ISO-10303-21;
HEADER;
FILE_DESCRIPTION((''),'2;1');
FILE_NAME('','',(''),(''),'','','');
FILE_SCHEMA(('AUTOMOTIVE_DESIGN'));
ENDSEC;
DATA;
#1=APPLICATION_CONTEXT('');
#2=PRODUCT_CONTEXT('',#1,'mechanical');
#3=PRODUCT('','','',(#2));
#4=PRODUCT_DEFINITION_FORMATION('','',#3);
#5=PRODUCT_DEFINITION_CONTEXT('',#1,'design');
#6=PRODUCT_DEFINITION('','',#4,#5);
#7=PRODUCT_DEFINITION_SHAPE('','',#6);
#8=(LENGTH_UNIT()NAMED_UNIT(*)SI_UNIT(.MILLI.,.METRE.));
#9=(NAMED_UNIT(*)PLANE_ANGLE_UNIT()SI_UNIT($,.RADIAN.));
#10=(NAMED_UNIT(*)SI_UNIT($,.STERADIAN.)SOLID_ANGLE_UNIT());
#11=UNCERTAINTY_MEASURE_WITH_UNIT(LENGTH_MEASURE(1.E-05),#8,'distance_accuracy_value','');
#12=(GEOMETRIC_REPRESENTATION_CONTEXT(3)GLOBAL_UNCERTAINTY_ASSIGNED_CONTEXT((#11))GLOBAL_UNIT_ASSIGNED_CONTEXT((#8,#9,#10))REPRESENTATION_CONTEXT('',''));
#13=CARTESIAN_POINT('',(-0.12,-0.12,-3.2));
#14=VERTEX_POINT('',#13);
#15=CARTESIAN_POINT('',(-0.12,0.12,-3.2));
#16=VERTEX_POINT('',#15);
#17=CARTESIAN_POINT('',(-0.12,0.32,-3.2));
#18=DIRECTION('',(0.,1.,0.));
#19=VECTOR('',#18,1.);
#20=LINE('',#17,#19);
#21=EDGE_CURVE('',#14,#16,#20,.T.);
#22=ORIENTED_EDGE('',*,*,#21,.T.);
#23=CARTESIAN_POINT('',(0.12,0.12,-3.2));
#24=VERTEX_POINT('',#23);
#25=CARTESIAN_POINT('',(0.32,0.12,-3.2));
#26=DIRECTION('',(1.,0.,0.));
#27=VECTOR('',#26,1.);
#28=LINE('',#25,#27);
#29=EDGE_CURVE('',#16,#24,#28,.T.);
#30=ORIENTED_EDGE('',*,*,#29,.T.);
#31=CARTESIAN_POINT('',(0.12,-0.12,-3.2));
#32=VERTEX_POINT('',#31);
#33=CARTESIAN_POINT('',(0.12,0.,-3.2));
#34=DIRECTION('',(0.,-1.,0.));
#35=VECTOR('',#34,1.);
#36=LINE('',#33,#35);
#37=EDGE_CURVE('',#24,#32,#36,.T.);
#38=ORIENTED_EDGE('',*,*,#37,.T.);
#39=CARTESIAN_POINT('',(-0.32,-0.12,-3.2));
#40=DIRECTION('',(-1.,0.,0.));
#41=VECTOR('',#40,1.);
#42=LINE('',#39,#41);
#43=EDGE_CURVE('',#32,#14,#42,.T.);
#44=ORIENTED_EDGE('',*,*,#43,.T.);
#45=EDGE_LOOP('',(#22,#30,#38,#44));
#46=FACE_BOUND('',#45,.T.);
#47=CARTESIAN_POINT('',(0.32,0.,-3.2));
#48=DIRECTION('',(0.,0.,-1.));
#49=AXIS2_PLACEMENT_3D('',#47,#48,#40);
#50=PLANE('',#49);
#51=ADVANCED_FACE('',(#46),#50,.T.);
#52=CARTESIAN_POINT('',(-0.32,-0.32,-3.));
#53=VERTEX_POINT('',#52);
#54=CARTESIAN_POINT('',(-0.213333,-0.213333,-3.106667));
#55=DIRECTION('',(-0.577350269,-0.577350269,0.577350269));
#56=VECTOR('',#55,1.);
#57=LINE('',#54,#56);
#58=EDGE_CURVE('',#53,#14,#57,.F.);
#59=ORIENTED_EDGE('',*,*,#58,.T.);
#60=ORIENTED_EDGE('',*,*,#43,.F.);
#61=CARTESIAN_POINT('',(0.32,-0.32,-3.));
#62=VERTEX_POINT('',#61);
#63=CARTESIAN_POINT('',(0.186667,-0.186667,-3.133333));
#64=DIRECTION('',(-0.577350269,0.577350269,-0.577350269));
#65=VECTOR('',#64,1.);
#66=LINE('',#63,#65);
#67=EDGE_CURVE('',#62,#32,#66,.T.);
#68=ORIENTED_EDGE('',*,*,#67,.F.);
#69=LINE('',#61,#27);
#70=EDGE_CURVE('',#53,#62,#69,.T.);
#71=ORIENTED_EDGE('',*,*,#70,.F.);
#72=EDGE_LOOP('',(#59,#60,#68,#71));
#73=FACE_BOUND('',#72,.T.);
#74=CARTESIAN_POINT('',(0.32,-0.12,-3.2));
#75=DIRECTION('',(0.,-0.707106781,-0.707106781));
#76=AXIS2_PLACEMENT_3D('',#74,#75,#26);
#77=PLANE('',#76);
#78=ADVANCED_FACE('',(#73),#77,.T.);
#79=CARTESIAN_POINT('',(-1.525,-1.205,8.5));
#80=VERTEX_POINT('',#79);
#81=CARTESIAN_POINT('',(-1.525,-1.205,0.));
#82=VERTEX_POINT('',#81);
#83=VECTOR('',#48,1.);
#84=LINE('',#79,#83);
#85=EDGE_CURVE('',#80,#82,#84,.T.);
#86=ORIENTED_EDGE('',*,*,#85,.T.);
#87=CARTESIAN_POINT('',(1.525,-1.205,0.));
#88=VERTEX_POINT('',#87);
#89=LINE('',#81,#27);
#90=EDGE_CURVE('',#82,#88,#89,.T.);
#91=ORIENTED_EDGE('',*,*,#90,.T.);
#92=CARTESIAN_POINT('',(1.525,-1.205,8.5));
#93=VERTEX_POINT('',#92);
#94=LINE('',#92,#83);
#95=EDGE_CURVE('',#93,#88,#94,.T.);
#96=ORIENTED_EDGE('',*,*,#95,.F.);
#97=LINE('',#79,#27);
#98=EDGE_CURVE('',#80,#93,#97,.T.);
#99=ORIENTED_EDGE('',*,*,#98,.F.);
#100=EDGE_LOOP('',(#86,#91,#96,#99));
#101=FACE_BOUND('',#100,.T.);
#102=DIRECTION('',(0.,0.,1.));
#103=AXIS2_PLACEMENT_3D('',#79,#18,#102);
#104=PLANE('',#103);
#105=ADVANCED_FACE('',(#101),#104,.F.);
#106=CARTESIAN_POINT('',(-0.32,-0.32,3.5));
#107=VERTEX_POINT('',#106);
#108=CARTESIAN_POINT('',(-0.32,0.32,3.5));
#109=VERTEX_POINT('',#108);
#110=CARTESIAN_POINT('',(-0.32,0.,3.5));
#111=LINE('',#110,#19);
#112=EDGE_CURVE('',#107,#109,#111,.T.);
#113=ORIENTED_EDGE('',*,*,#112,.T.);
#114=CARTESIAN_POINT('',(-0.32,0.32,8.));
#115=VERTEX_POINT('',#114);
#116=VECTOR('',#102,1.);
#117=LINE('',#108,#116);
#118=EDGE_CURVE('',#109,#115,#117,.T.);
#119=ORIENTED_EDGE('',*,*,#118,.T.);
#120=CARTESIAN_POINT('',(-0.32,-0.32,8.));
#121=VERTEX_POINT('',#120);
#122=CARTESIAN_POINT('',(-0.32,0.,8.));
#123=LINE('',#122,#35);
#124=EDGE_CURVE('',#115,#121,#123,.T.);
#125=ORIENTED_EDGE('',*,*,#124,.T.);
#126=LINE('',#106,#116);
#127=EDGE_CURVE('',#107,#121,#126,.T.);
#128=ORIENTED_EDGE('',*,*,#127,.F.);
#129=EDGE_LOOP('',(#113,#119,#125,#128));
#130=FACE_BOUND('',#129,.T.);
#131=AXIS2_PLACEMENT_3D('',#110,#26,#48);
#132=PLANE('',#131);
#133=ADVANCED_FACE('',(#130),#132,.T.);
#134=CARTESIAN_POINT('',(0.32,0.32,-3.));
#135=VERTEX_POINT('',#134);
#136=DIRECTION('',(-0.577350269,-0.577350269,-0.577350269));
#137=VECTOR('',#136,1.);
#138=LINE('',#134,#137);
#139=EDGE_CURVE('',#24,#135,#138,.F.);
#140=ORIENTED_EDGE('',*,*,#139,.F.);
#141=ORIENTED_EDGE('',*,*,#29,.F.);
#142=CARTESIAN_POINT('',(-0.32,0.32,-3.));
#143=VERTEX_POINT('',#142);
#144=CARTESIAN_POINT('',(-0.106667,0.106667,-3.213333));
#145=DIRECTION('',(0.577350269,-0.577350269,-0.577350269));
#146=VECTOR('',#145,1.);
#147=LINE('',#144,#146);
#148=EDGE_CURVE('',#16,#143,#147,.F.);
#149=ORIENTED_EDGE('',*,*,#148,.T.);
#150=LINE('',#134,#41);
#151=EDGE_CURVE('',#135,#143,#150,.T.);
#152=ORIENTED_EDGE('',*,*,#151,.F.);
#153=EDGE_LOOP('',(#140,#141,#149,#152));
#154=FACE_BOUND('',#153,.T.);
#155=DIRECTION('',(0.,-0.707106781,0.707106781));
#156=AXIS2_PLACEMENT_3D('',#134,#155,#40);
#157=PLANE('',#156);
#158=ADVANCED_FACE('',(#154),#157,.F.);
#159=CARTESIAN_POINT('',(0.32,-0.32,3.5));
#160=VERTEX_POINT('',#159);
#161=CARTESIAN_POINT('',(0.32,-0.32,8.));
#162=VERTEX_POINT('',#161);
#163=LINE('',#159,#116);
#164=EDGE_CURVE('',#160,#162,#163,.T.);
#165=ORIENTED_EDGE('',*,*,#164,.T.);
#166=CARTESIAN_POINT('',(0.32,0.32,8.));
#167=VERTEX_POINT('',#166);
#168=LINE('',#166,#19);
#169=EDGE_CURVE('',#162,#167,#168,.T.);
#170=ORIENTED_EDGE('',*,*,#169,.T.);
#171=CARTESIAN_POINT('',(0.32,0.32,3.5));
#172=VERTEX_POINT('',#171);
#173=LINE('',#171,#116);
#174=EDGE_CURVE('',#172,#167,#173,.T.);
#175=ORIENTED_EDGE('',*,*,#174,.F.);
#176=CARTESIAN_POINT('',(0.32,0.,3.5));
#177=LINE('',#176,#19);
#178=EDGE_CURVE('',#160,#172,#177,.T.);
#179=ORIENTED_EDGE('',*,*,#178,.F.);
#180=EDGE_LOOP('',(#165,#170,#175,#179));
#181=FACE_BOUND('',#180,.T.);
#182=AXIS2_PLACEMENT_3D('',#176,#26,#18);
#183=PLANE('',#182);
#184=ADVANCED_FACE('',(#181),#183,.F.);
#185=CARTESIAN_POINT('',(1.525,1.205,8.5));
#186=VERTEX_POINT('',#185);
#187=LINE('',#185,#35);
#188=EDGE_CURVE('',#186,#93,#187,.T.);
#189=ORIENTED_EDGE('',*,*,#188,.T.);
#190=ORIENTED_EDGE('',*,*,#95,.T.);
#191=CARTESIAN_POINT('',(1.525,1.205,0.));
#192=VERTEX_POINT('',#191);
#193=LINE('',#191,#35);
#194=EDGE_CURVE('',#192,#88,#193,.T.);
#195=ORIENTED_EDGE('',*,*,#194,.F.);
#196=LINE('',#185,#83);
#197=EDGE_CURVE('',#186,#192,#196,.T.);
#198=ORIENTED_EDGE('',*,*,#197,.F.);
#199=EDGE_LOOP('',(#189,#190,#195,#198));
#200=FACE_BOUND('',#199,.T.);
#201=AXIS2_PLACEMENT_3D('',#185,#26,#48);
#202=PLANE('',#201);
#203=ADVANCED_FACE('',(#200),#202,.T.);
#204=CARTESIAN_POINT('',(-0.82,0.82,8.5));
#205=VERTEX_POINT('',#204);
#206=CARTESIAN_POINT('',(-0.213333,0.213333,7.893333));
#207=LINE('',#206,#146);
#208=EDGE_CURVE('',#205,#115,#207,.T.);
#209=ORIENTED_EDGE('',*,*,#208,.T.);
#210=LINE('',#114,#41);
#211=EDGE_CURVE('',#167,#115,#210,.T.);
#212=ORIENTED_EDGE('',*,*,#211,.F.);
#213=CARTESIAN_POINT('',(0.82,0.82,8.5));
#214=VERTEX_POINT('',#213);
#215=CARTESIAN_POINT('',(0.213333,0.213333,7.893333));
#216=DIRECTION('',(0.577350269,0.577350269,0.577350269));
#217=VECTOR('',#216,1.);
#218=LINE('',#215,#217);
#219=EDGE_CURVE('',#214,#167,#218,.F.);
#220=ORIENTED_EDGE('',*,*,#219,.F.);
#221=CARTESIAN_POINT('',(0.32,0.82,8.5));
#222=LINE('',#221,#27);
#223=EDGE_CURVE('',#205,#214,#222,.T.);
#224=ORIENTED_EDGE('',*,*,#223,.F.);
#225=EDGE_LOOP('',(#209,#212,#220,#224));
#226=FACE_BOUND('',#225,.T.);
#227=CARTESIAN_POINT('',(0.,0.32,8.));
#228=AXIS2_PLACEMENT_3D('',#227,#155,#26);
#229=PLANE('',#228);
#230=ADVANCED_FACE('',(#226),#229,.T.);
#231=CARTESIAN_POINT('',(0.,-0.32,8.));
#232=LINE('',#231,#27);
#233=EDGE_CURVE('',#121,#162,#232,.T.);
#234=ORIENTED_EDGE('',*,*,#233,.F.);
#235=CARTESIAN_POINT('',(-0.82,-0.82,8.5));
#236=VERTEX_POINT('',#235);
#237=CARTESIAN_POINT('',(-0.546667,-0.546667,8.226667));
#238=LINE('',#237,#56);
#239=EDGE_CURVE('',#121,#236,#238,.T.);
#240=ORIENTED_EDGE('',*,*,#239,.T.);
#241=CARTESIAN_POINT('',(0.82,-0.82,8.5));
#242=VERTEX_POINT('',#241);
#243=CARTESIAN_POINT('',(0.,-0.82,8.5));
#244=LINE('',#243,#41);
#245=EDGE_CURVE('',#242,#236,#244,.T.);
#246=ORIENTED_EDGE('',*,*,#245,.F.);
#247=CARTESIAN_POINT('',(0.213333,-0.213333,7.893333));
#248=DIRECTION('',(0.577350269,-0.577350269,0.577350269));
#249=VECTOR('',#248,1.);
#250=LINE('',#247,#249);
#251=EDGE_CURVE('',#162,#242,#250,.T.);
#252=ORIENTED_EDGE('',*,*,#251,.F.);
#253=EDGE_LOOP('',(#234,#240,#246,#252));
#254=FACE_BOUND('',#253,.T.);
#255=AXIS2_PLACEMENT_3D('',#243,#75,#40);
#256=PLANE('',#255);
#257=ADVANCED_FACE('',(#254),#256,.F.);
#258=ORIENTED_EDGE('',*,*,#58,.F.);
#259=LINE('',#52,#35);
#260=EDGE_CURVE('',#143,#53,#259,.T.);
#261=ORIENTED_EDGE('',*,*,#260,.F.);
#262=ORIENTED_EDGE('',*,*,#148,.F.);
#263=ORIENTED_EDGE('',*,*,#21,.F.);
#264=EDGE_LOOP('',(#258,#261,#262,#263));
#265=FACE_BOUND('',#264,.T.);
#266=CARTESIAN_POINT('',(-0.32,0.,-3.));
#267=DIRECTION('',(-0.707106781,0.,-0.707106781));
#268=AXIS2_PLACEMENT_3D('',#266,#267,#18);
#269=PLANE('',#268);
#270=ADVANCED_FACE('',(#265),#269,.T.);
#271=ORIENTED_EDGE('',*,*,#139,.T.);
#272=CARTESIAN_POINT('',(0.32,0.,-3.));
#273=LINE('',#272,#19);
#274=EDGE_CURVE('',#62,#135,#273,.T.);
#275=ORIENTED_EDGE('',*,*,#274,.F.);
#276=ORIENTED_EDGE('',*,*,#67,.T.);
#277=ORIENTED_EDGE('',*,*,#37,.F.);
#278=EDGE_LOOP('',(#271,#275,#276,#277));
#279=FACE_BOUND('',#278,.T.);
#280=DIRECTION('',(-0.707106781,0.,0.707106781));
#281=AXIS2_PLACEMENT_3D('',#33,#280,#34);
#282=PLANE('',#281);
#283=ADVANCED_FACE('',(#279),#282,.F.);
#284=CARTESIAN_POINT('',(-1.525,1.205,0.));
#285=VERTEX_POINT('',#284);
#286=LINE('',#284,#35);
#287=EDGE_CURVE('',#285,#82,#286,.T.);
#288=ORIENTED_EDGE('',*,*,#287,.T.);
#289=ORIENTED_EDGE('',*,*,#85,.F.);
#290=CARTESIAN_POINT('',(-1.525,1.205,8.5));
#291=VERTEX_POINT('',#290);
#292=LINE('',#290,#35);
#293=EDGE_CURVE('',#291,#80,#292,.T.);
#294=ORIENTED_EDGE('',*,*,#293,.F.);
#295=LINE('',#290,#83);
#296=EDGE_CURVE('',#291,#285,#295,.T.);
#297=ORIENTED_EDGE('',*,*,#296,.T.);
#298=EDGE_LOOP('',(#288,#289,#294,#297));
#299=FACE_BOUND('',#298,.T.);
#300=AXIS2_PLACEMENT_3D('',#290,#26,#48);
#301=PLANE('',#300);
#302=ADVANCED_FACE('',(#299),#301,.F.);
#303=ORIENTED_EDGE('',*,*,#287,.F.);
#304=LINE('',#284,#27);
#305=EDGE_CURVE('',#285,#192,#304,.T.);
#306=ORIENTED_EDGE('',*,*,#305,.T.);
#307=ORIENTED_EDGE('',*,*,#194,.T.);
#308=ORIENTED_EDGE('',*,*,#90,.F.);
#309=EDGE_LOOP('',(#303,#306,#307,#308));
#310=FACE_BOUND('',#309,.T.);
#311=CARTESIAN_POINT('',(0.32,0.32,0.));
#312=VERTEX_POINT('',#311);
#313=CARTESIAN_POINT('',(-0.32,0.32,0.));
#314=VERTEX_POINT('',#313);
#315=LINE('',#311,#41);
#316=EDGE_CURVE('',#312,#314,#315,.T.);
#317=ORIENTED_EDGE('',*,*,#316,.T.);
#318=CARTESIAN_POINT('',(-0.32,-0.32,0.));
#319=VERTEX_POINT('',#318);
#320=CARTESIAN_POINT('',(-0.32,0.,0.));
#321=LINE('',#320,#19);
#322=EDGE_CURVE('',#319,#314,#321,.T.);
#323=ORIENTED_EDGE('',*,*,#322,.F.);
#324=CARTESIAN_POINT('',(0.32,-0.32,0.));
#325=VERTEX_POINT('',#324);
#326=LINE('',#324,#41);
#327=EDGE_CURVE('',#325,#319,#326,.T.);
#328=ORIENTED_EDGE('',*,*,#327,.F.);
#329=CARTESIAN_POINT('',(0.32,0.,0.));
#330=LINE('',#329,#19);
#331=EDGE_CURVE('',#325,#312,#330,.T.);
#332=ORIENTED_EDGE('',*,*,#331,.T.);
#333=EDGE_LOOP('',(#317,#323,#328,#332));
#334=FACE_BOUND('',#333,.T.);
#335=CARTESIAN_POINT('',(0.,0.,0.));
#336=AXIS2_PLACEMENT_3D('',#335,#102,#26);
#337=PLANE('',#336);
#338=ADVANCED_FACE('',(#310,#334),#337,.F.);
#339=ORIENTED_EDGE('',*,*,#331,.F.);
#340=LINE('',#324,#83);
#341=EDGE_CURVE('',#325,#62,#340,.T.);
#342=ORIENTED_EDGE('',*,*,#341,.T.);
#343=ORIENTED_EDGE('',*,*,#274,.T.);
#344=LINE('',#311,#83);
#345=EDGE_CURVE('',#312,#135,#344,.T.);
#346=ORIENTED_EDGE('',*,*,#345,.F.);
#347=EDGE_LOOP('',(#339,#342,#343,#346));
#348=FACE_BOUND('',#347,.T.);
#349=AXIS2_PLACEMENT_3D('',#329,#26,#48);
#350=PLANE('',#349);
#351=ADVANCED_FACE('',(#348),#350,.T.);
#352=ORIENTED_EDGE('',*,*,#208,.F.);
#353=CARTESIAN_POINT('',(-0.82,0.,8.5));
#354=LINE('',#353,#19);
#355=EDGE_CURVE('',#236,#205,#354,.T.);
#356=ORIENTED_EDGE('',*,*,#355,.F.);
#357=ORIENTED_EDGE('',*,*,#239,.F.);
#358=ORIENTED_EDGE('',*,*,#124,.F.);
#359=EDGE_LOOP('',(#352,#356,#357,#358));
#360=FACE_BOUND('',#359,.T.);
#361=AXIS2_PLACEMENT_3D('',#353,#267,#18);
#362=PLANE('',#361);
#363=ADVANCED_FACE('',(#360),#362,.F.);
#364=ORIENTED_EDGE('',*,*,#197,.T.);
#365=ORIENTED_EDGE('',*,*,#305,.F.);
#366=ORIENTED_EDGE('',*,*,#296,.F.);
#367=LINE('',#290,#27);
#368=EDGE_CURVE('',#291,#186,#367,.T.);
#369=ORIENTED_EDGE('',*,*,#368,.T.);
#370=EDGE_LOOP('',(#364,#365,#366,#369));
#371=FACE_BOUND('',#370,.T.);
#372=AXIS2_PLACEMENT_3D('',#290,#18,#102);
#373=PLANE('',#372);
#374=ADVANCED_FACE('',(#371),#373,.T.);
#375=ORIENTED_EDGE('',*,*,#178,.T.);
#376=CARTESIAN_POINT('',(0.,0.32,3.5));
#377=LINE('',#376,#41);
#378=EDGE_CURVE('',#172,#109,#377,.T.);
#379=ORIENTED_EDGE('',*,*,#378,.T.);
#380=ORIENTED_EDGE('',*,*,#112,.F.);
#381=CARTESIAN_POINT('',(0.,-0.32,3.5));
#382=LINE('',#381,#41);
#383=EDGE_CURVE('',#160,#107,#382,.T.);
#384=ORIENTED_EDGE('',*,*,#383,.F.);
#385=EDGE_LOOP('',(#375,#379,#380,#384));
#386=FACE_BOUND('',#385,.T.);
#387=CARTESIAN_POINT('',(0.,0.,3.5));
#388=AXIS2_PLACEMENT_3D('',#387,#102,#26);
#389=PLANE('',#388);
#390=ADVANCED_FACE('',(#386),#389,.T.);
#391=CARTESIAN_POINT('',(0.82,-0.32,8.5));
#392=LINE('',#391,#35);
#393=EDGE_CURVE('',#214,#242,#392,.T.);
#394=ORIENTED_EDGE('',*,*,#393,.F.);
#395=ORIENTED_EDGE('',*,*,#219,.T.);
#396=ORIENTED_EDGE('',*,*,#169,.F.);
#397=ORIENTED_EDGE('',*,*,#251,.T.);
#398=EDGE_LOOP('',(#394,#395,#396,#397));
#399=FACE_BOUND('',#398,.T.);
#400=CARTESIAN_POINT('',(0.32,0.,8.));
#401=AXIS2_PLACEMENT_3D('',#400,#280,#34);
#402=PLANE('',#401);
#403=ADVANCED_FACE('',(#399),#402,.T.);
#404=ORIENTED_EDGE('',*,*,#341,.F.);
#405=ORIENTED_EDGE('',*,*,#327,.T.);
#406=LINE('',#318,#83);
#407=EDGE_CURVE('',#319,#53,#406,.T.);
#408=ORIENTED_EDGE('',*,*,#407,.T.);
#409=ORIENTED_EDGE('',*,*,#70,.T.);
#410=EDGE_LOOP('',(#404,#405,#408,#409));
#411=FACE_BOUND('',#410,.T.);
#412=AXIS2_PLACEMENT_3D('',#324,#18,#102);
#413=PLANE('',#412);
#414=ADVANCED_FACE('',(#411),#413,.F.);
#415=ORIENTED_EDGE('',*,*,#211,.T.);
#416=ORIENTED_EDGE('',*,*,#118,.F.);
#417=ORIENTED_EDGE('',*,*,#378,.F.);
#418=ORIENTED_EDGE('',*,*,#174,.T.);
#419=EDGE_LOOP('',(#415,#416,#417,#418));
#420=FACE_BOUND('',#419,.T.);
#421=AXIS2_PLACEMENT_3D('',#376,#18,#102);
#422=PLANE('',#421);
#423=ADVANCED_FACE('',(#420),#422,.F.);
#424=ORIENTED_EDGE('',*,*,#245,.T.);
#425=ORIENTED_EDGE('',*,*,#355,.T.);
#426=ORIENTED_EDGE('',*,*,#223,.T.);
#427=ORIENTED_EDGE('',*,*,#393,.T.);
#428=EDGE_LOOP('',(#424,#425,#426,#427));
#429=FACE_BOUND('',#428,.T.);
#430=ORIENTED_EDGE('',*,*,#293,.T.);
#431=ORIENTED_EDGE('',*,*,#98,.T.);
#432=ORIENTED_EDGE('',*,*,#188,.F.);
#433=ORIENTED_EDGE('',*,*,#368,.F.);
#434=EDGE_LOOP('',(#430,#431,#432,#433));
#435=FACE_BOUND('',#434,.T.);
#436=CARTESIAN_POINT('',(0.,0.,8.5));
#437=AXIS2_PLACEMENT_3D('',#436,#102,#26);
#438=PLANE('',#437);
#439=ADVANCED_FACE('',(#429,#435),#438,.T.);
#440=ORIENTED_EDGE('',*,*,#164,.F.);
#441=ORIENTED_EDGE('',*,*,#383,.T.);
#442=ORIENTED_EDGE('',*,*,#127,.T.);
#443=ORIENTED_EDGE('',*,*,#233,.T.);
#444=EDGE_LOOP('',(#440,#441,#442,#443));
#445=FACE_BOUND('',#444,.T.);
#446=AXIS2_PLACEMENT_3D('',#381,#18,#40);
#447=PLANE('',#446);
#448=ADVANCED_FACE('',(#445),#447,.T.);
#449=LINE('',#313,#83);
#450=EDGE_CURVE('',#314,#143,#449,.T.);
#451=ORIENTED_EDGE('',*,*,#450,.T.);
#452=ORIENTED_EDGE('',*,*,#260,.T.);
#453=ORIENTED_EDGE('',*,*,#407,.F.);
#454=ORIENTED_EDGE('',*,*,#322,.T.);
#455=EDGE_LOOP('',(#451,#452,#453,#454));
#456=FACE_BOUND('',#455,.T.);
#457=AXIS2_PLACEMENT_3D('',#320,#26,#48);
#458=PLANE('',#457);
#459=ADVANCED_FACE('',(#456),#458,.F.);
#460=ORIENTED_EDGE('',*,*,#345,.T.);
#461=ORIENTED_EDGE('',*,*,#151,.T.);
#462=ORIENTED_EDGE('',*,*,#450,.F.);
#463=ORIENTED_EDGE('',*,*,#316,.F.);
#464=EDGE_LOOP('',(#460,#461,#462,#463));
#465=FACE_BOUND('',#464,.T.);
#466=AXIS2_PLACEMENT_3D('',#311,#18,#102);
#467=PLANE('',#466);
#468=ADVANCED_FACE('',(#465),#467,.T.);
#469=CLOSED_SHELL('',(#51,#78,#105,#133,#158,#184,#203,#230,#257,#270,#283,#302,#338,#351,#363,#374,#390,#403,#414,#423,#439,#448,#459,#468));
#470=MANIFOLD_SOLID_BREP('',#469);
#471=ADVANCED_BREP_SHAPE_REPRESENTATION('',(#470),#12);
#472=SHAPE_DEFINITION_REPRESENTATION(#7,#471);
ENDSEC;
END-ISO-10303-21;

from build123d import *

# Parameters (mm, degrees)
SKETCH1_W           = 3.05
SKETCH1_H           = 2.41
BOSS_EXTRUDE1_DEPTH = 8.5
CUT_EXTRUDE1_START  = 8.5
SKETCH1_3_W         = 0.64
SKETCH1_3_H         = 0.64
CUT_EXTRUDE1_DEPTH  = 5
CHAMFER1_SIZE       = 0.5
SKETCH2_W           = 3.2
SKETCH2_H           = 0.64
BOSS_EXTRUDE2_DEPTH = 0.32
CHAMFER2_SIZE       = 0.2


with BuildPart() as part:
    # Sketch1 → Boss-Extrude1 (new body)
    with BuildSketch(Plane.XY):
        Rectangle(SKETCH1_W, SKETCH1_H)
    extrude(amount=BOSS_EXTRUDE1_DEPTH)

    # Sketch1<3> → Cut-Extrude1 (cut)
    with BuildSketch(Plane.XY.offset(CUT_EXTRUDE1_START)):
        Rectangle(SKETCH1_3_W, SKETCH1_3_H)
    extrude(amount=-CUT_EXTRUDE1_DEPTH, mode=Mode.SUBTRACT)

    # Chamfer1
    chamfer1_edges = [part.edges().sort_by_distance(p)[0] for p in [
        (-0.32, 0, 8.5),
        (0, -0.32, 8.5),
        (0.32, 0, 8.5),
        (0, 0.32, 8.5),
    ]]
    chamfer(chamfer1_edges, length=CHAMFER1_SIZE)

    # Sketch2 → Boss-Extrude2 (add, symmetric)
    with BuildSketch(Plane(origin=(0, 0, 0), x_dir=(0, 0, -1), z_dir=(1, 0, 0))):
        with Locations((1.6, 0)):
            Rectangle(SKETCH2_W, SKETCH2_H)
    extrude(amount=BOSS_EXTRUDE2_DEPTH, both=True)

    # Chamfer2
    chamfer2_edges = [part.edges().sort_by_distance(p)[0] for p in [
        (0.32, 0, -3.2),
        (0, -0.32, -3.2),
        (0, 0.32, -3.2),
        (-0.32, 0, -3.2),
    ]]
    chamfer(chamfer2_edges, length=CHAMFER2_SIZE)


solid = part.part
